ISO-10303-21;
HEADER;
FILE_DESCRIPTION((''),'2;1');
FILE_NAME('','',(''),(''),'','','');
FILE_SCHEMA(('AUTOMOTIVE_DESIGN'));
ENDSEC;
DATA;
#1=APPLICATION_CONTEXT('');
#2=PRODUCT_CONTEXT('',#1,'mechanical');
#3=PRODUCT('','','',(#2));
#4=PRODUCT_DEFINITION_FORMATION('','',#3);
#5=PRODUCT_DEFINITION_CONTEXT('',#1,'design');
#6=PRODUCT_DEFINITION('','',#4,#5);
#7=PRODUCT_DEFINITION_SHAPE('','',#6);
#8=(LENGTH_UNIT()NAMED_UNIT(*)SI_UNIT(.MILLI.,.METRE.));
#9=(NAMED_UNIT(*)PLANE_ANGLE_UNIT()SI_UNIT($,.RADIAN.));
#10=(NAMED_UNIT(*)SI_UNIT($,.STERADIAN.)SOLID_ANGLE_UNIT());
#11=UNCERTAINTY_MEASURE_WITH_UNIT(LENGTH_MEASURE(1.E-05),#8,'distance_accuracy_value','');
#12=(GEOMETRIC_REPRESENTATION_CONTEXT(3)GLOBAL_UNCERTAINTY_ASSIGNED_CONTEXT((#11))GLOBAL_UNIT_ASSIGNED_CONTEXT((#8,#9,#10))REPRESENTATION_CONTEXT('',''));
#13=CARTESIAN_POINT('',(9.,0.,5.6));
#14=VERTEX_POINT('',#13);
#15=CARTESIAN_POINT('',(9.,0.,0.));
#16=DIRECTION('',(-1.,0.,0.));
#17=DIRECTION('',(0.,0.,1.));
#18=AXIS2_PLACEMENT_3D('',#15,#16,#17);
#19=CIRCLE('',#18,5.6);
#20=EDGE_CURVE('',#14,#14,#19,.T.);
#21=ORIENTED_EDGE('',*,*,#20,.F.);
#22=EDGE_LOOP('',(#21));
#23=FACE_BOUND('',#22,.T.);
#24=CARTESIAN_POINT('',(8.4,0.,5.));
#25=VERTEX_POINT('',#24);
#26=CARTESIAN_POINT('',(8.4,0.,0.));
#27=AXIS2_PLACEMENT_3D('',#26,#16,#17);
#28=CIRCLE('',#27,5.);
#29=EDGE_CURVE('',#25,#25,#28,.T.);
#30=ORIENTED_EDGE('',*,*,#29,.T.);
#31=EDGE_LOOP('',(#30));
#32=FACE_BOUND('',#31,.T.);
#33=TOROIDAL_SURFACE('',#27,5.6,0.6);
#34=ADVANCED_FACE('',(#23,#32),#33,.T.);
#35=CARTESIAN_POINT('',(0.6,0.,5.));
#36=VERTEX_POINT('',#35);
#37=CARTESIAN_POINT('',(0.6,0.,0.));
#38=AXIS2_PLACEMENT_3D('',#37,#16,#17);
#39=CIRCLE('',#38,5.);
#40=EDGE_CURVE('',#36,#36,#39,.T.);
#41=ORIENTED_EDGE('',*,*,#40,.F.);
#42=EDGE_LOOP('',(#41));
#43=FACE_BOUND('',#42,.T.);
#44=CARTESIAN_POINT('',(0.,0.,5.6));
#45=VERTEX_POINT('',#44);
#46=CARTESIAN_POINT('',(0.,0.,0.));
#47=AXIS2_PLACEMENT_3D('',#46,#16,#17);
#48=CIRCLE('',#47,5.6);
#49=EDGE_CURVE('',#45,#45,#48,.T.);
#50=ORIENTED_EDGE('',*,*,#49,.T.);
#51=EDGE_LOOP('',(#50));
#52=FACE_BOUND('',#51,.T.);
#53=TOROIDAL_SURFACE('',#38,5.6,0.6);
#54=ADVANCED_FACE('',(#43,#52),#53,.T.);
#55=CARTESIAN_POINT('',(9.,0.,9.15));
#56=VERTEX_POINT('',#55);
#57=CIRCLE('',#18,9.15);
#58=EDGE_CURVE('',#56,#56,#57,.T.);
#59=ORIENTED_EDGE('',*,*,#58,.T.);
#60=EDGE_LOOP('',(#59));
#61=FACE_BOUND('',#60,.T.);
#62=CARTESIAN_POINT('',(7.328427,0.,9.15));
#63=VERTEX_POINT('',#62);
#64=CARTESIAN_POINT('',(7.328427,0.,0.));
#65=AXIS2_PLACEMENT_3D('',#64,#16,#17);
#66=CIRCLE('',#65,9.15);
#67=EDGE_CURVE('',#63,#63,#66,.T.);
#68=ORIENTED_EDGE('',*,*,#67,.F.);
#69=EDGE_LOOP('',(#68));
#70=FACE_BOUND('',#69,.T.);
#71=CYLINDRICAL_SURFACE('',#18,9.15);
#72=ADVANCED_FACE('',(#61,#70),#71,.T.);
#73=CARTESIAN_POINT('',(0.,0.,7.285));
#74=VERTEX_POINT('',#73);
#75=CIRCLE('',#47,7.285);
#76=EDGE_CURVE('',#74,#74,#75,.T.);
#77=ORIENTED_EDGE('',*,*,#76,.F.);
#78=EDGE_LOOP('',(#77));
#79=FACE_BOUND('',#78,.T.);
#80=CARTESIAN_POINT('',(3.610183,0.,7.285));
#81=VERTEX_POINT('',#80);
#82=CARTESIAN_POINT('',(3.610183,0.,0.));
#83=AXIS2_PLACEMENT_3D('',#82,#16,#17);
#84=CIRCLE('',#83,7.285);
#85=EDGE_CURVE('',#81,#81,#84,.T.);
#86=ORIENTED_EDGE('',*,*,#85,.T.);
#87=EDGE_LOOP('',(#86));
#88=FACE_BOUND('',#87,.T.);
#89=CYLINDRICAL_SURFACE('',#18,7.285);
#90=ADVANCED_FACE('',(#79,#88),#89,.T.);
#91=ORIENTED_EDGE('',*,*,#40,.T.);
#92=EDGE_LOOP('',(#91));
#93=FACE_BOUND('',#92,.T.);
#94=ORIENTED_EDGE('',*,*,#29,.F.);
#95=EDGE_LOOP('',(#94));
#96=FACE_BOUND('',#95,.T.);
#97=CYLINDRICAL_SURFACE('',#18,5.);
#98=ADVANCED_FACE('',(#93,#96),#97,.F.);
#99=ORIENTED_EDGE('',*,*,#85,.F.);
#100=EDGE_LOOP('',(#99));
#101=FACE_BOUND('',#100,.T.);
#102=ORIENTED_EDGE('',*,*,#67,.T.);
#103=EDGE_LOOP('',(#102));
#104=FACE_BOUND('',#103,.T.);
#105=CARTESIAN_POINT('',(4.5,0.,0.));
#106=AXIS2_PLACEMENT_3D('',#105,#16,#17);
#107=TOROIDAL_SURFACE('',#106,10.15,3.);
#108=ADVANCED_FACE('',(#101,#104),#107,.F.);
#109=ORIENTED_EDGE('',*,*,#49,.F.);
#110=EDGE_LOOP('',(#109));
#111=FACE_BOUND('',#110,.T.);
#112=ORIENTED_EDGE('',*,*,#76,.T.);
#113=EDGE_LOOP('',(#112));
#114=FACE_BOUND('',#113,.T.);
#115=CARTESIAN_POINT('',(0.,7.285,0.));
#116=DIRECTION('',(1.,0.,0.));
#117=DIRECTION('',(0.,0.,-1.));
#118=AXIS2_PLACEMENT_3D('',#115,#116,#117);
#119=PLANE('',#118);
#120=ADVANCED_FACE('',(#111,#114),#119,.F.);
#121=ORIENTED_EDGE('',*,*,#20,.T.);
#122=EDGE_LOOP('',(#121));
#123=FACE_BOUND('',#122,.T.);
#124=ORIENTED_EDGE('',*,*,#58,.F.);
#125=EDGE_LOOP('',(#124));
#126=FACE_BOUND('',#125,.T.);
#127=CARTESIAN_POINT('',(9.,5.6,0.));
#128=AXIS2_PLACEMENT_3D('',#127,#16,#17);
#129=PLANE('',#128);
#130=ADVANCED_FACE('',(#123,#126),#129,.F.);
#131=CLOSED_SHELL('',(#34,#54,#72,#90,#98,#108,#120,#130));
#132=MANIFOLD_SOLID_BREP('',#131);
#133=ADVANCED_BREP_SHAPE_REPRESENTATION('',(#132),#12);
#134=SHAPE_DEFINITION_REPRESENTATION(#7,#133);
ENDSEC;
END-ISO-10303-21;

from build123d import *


with BuildPart() as part:
    # Sketch1 → Revolve1 (revolve)
    with BuildSketch(Plane.XY, mode=Mode.PRIVATE) as revolve1_sk:
        with BuildLine():
            Line((0, 7.285), (0, 5.6))
            ThreePointArc((0, 5.6), (0.175735931, 5.175735931), (0.6, 5))
            Line((0.6, 5), (8.4, 5))
            ThreePointArc((8.4, 5), (8.824264069, 5.175735931), (9, 5.6))
            Line((9, 5.6), (9, 9.15))
            Line((9, 9.15), (7.328427125, 9.15))
            ThreePointArc((7.328427125, 9.15), (5.845030918, 7.468416171), (3.610182603, 7.285))
            Line((3.610182603, 7.285), (0, 7.285))
        make_face()
    revolve(revolve1_sk.sketch.rotate(Axis((9, 0, 0), (-1, 0, 0)), 270), axis=Axis((9, 0, 0), (-1, 0, 0)))


solid = part.part
